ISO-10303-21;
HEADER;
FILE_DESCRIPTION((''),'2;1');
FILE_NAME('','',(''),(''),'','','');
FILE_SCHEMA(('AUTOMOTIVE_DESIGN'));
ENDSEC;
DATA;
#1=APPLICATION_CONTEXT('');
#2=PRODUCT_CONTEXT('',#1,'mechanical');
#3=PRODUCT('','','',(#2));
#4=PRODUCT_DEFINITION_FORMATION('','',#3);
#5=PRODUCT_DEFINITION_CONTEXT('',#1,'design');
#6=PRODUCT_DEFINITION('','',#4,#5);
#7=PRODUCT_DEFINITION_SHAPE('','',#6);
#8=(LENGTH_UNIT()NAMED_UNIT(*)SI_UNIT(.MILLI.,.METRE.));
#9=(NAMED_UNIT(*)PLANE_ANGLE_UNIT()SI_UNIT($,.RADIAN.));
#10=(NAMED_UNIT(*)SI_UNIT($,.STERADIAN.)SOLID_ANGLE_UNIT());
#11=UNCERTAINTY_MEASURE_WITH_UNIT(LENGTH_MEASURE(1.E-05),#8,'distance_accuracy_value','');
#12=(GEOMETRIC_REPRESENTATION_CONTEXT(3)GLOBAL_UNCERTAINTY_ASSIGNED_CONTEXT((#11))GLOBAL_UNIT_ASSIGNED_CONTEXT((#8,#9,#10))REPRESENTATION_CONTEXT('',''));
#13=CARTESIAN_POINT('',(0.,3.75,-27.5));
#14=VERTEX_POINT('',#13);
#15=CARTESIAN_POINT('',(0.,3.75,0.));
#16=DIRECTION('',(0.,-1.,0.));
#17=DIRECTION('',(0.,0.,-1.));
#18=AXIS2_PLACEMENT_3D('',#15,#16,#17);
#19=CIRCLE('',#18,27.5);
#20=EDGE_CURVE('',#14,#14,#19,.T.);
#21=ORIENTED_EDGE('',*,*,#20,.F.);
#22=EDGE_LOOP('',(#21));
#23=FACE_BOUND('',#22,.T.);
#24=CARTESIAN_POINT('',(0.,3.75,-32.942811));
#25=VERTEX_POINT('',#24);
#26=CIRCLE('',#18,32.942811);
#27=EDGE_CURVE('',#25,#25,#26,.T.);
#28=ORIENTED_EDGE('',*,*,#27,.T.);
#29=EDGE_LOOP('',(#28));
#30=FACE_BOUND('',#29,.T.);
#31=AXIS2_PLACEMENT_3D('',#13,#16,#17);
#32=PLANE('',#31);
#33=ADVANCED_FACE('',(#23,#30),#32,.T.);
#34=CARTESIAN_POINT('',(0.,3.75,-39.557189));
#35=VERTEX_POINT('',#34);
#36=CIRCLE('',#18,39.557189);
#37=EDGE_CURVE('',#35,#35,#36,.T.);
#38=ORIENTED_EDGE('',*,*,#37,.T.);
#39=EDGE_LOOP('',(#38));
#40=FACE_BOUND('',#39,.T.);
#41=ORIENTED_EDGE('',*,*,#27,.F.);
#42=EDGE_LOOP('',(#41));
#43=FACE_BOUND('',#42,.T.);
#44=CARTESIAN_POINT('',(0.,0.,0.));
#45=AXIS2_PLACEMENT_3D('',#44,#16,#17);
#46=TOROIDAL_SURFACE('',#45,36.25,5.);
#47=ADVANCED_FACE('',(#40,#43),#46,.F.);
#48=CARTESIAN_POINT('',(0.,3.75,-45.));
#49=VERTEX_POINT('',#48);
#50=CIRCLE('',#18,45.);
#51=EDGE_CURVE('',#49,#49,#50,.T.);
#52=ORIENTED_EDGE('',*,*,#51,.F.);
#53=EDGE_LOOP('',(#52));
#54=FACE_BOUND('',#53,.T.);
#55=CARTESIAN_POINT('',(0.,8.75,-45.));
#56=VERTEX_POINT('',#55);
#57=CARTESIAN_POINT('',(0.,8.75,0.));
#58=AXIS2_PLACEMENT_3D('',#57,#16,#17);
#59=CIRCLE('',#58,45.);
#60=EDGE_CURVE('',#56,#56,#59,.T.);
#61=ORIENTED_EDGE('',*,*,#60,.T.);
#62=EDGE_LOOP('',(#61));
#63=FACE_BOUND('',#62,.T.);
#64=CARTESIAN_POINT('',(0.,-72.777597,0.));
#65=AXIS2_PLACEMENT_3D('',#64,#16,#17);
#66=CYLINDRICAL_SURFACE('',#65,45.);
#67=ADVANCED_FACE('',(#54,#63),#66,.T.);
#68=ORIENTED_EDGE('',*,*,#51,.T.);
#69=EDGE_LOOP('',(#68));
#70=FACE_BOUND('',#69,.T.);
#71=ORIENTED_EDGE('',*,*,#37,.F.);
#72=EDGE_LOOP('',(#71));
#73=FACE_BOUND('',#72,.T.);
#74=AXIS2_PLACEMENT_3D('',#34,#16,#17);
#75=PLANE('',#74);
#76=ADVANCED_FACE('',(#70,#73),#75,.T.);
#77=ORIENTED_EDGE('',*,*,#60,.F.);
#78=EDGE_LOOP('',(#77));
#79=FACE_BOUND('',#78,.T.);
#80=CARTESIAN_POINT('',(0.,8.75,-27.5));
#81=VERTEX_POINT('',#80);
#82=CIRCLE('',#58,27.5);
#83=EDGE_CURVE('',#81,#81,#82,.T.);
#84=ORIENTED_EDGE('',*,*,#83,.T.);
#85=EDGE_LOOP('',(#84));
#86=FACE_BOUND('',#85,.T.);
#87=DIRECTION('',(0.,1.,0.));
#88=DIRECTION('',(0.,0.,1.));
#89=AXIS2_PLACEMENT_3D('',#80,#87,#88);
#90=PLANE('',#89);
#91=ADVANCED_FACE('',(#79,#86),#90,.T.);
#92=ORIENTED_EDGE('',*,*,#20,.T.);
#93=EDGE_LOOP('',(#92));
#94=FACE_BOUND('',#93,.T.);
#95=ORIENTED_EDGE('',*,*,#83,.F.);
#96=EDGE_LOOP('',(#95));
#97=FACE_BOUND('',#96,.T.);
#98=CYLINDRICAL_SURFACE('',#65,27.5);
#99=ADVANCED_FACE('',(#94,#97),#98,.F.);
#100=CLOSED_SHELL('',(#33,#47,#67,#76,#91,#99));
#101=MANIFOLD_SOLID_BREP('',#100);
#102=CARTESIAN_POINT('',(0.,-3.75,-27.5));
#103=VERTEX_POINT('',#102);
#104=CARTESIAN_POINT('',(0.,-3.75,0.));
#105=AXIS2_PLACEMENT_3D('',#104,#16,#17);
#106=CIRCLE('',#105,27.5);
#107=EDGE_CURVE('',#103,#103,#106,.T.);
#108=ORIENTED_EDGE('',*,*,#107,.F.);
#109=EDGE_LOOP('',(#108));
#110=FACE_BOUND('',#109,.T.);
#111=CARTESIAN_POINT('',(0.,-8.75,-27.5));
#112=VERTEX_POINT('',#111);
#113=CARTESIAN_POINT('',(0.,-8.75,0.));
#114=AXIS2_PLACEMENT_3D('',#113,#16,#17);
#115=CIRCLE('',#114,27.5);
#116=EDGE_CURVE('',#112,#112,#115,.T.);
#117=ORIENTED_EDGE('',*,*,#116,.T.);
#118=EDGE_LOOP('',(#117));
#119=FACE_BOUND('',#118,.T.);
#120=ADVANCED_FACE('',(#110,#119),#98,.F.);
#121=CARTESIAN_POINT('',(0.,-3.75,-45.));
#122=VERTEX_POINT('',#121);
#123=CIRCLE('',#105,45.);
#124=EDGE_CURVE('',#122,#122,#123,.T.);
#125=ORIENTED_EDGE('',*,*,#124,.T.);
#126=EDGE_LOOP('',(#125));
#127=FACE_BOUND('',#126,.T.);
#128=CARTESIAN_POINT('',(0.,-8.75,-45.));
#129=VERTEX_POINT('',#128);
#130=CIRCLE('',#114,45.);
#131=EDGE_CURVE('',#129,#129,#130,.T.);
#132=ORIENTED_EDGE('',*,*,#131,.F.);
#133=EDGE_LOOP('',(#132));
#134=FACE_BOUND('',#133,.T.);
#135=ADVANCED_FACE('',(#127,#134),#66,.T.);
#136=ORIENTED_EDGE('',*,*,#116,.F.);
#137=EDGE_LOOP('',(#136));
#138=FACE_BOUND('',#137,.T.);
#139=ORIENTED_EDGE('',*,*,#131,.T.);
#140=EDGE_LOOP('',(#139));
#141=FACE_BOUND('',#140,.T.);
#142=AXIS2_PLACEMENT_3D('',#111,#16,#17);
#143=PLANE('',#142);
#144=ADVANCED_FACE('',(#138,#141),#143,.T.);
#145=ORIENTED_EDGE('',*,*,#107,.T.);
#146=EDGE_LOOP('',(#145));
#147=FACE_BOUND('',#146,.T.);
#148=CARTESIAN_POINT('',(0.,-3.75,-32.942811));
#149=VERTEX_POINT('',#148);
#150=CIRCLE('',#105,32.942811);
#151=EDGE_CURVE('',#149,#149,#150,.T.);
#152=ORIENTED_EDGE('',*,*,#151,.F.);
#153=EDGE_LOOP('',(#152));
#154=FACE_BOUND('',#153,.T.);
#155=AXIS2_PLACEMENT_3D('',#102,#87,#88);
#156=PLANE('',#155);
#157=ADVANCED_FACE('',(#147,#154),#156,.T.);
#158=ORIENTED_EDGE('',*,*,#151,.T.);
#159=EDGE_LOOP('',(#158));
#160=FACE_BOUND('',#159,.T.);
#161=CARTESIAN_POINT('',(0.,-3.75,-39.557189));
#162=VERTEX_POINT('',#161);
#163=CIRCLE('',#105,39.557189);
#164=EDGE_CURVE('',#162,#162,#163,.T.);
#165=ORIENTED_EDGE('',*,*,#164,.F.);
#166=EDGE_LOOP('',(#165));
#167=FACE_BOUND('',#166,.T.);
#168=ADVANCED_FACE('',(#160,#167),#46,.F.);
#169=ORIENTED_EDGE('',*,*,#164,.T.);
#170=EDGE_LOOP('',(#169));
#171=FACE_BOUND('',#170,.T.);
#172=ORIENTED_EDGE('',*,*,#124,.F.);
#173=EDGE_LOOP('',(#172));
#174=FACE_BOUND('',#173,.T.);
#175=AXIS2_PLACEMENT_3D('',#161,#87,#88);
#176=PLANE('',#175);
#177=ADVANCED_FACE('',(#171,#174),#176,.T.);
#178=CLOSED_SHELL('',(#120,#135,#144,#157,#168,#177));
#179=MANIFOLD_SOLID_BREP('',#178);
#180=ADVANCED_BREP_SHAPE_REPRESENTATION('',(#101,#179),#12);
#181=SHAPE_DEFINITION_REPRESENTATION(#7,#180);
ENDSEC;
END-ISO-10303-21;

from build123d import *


with BuildPart() as part:
    # Sketch1 → Revolve1 (revolve)
    with BuildSketch(Plane.YZ):
        with BuildLine():
            Line((-8.75, -27.5), (-3.75, -27.5))
            Line((-3.75, -27.5), (-3.75, -32.942810861))
            ThreePointArc((-3.75, -32.942810861), (-5, -36.25), (-3.75, -39.557189139))
            Line((-3.75, -39.557189139), (-3.75, -45))
            Line((-3.75, -45), (-8.75, -45))
            Line((-8.75, -45), (-8.75, -27.5))
        make_face()
        with BuildLine():
            Line((3.75, -39.557189139), (3.75, -45))
            Line((3.75, -45), (8.75, -45))
            Line((8.75, -45), (8.75, -27.5))
            Line((8.75, -27.5), (3.75, -27.5))
            Line((3.75, -27.5), (3.75, -32.942810861))
            ThreePointArc((3.75, -32.942810861), (5, -36.25), (3.75, -39.557189139))
        make_face()
    revolve(axis=Axis((0, -72.777596874, 0), (0, 1, 0)))


solid = part.part
